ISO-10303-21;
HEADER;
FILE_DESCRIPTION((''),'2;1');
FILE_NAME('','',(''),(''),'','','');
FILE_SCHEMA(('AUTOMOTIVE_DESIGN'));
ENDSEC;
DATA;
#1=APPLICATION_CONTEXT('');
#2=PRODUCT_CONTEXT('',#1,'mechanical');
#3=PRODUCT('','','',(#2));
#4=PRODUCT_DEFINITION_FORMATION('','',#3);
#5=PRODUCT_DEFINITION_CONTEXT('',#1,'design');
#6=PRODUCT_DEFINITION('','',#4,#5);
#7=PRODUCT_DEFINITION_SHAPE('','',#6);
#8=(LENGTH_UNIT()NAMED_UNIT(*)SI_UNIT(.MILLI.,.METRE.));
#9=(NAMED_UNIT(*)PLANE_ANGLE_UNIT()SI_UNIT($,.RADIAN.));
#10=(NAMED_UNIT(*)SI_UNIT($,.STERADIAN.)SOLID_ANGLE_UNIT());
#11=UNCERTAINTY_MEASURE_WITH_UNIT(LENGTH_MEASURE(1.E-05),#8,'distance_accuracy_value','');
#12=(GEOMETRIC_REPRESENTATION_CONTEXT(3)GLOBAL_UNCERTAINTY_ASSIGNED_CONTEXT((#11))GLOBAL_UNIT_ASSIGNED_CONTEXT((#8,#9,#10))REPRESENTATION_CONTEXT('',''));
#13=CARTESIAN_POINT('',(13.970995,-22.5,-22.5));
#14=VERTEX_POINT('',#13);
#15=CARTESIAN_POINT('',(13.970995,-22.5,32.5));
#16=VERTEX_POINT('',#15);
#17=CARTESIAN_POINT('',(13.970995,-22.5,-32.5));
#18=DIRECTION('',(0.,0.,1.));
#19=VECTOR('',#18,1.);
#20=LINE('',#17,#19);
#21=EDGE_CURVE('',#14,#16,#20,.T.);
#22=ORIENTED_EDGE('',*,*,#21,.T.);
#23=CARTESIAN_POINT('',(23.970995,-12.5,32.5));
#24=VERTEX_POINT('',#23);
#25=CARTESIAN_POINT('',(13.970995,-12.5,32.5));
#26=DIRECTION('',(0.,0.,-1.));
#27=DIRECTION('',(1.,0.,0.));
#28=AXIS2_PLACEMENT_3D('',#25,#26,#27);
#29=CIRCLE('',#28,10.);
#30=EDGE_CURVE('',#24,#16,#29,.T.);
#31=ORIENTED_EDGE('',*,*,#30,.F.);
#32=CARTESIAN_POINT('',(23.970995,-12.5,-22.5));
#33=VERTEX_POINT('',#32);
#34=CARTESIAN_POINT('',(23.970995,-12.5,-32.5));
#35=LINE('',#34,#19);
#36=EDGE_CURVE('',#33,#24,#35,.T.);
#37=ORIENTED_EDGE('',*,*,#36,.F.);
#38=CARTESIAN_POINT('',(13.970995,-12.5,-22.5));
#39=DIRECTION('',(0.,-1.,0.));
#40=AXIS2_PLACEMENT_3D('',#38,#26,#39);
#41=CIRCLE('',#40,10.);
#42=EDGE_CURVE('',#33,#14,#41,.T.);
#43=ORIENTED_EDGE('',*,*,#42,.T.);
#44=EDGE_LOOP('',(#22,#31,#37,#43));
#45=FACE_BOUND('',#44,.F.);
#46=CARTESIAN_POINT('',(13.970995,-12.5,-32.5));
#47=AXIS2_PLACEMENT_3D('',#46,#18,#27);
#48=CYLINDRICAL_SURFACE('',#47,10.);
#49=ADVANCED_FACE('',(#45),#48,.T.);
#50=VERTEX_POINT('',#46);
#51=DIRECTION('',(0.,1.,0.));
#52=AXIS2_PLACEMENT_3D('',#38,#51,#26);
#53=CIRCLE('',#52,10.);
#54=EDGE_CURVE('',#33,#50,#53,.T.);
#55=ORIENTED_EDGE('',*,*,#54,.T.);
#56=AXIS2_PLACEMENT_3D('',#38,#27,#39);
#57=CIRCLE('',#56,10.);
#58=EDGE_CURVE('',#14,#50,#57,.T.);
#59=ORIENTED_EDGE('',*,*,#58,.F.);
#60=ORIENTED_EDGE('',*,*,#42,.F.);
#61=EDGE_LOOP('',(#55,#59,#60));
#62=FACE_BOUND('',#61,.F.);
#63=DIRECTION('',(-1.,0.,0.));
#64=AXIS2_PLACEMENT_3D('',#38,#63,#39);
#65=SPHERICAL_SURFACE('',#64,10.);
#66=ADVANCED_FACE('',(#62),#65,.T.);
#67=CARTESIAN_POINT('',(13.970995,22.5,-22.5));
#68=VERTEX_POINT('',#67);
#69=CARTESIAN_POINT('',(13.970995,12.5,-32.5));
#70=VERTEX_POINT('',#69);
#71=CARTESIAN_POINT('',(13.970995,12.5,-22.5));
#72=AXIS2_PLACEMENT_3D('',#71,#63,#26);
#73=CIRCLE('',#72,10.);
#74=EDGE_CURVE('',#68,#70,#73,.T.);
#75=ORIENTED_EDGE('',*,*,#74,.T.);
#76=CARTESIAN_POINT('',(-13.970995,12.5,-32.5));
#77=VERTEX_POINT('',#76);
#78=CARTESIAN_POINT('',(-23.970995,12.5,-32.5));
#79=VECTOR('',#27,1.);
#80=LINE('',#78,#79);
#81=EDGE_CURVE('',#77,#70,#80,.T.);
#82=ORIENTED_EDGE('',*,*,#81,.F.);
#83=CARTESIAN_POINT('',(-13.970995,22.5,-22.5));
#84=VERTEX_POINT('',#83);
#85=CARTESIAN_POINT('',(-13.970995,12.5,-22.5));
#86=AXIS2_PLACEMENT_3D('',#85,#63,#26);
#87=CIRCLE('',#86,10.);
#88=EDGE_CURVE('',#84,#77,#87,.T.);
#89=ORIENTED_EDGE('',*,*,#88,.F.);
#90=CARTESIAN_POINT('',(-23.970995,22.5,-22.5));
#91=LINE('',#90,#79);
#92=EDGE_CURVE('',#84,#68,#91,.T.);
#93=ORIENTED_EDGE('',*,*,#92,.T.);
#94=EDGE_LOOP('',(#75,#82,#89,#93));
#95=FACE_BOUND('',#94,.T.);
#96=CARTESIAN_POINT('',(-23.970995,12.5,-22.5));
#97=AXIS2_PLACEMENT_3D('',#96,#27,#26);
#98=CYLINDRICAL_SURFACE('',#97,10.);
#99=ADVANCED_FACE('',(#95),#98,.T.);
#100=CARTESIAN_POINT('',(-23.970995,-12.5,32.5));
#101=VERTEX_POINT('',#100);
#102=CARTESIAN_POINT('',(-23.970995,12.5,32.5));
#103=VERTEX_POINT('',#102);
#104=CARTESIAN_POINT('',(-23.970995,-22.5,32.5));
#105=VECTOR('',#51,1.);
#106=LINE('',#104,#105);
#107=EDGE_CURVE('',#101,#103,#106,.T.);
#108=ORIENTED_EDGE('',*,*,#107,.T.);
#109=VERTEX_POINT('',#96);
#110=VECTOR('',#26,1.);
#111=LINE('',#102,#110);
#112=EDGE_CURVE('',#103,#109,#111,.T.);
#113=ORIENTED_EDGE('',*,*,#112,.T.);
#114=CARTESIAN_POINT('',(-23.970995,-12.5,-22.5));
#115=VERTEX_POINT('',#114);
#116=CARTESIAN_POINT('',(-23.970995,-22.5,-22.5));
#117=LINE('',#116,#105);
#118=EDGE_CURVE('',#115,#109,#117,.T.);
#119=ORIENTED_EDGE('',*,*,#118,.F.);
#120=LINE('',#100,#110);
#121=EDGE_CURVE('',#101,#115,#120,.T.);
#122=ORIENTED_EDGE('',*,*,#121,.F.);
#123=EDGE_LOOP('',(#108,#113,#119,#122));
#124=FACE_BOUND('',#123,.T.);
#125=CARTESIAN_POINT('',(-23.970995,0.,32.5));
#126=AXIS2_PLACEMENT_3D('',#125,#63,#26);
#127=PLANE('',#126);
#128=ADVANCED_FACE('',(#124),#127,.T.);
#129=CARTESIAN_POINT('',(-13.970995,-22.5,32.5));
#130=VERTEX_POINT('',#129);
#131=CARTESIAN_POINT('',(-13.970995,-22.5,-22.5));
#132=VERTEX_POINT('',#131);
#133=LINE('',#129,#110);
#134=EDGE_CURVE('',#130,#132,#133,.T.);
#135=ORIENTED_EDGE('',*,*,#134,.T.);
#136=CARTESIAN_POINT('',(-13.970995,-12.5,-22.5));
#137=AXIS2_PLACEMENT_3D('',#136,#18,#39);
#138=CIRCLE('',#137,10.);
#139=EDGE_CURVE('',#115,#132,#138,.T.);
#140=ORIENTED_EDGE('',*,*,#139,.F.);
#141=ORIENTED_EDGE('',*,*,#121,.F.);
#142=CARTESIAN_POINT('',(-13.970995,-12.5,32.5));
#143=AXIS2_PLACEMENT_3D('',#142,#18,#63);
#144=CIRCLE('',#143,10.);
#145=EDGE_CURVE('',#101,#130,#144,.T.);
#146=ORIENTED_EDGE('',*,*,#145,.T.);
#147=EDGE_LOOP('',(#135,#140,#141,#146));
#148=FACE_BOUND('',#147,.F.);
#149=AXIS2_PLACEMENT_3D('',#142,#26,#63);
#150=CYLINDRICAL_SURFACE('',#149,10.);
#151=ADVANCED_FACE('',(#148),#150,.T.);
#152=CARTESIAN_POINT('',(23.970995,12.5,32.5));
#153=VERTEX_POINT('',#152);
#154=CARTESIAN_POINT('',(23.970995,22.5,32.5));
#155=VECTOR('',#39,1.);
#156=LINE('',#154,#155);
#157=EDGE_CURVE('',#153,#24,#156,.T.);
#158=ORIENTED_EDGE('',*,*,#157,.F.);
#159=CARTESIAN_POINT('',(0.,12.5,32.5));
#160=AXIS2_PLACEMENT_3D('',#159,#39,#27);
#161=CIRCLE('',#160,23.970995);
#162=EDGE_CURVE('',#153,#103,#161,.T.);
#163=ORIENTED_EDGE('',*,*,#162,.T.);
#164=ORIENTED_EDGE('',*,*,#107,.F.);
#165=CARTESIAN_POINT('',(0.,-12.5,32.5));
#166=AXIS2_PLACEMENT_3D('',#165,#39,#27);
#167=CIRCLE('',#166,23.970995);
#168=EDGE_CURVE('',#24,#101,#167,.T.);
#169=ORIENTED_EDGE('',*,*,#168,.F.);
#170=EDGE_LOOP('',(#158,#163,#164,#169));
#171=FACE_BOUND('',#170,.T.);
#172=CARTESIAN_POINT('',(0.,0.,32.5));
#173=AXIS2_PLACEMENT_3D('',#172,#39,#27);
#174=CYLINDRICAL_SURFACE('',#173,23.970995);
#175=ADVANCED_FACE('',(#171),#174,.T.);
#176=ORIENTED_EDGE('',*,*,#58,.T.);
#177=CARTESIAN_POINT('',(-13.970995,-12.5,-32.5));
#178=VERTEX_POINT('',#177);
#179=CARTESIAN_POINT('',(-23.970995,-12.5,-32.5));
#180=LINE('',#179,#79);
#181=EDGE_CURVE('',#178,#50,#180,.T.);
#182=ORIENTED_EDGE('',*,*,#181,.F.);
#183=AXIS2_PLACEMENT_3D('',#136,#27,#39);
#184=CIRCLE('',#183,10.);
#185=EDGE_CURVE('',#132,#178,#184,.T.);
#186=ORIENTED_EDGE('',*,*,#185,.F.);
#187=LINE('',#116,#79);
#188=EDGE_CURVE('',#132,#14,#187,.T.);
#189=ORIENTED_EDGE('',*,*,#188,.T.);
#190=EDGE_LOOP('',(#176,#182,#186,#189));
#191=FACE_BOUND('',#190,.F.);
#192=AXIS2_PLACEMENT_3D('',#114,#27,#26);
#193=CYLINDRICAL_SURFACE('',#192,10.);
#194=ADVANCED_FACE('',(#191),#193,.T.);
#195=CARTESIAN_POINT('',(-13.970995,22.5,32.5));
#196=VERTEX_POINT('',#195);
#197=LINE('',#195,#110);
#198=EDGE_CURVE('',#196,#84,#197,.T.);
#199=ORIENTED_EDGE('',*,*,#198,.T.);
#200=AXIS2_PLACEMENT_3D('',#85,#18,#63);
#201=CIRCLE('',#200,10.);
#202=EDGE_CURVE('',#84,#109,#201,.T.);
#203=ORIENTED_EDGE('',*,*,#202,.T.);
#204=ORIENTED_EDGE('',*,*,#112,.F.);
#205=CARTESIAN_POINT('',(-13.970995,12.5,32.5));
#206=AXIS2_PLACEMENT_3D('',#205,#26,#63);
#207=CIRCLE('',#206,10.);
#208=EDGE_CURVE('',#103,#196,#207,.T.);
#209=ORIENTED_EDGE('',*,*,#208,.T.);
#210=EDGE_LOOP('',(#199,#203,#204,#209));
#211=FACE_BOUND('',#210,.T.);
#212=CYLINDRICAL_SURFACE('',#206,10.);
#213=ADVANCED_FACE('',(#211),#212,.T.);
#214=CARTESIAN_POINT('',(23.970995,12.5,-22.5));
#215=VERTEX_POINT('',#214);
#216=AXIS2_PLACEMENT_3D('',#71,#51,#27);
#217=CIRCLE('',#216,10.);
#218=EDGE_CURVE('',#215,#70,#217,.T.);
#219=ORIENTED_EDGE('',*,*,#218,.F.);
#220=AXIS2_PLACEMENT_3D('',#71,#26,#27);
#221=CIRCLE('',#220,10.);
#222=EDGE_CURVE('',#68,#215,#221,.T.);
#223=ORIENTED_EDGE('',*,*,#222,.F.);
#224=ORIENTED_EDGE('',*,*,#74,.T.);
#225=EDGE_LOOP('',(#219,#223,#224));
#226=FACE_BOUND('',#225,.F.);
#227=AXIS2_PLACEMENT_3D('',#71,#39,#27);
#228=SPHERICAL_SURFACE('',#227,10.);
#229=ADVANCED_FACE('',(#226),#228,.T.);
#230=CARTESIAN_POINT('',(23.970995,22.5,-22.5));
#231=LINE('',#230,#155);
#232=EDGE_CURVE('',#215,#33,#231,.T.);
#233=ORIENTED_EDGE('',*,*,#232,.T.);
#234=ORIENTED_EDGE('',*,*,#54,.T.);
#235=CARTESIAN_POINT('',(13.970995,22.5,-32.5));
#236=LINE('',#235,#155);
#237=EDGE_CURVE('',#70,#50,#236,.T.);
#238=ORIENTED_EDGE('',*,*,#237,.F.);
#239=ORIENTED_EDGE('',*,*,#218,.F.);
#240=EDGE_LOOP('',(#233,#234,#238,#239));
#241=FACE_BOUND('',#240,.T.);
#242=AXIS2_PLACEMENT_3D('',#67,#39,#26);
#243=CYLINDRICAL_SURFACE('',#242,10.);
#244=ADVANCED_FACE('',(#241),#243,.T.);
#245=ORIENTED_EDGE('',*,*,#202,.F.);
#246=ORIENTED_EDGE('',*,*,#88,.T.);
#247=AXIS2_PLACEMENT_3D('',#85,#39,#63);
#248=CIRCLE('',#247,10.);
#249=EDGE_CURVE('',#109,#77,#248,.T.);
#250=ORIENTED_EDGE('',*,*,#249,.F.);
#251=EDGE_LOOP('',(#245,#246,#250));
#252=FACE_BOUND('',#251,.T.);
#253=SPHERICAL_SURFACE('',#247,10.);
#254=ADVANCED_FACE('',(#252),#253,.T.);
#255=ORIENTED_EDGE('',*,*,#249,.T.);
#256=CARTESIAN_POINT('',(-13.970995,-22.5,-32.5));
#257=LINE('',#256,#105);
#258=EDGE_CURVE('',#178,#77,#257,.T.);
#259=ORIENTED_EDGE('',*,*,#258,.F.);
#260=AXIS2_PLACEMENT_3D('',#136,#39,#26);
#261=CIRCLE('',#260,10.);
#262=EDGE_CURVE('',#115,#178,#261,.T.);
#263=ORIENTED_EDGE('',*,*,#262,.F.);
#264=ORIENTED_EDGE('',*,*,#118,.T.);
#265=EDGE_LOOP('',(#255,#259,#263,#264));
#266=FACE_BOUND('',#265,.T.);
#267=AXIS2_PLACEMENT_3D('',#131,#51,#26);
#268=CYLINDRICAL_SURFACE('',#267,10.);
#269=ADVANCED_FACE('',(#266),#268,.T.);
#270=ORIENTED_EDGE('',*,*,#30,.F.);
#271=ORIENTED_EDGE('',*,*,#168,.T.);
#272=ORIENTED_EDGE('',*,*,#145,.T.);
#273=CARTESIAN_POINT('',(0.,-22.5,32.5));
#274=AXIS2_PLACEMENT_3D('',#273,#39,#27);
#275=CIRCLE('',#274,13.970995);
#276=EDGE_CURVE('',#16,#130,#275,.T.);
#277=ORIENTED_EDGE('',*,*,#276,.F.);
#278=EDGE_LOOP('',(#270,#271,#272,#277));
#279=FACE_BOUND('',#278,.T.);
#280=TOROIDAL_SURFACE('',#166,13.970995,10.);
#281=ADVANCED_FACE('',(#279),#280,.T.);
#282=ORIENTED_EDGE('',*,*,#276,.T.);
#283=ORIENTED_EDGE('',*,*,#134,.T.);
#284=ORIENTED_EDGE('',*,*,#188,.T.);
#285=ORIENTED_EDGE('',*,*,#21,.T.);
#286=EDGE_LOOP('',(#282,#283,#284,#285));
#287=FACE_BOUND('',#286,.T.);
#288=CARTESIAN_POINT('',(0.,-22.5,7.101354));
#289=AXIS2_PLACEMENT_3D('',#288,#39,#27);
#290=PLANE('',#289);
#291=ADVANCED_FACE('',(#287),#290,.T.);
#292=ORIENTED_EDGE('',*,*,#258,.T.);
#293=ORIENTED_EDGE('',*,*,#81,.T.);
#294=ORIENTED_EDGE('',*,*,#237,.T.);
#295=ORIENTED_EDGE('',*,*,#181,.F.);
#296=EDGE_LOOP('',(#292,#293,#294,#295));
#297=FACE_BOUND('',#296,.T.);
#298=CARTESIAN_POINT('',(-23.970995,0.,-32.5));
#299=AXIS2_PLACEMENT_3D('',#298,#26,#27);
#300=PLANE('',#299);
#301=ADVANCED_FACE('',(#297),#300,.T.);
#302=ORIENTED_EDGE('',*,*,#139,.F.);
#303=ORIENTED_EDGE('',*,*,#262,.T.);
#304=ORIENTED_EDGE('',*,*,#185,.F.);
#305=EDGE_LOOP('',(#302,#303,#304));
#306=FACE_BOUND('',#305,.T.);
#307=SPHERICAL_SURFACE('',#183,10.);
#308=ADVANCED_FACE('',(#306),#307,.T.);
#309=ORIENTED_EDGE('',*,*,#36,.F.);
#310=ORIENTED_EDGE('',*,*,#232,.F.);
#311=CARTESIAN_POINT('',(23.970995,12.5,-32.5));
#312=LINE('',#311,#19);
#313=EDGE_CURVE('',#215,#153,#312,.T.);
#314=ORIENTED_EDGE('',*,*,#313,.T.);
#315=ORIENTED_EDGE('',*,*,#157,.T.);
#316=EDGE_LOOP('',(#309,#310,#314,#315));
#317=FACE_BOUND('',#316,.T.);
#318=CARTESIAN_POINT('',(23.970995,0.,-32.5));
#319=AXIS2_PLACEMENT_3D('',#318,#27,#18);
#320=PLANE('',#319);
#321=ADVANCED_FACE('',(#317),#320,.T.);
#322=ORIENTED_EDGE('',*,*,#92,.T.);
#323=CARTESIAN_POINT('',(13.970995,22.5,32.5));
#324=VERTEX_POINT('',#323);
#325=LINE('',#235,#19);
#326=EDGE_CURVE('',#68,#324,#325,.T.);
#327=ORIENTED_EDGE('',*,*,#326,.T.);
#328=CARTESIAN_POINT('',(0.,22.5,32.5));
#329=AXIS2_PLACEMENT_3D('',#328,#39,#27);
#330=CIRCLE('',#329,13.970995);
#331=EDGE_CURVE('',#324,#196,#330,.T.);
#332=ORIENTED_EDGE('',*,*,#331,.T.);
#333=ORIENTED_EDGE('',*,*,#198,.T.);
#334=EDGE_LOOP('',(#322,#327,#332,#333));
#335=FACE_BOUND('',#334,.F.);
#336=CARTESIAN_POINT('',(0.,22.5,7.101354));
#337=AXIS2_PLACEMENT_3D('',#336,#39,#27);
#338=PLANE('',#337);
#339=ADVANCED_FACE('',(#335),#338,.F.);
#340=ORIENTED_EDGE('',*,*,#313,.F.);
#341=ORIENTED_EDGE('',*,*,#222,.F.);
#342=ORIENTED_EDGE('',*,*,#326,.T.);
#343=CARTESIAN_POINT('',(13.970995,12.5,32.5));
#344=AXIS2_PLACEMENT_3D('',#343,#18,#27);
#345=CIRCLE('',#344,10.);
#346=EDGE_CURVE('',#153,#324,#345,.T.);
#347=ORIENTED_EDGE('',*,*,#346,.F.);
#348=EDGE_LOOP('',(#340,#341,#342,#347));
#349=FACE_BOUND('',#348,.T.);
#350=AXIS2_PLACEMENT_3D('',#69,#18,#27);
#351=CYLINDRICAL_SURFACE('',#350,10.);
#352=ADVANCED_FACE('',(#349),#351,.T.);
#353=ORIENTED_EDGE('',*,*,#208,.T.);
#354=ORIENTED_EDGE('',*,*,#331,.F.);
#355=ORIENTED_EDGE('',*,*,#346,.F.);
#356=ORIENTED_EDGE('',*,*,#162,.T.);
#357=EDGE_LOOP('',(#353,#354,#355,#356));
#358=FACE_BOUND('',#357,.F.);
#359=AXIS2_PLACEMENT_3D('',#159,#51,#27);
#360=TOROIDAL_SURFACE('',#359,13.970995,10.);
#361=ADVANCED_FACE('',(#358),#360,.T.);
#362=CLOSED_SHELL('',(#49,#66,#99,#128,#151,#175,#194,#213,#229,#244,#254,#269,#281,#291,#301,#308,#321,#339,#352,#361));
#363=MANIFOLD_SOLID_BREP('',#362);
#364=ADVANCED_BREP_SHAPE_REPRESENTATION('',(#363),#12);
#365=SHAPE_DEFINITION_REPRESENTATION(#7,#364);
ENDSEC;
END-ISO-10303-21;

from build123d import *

# Parameters (mm, degrees)
F0_R     = 19.4977351631
F1_DEPTH = 22.5
F2_R     = 10


with BuildPart() as f1:
    # F0 (on Front) → F1 (new body, symmetric)
    with BuildSketch(Plane.XZ):
        with BuildLine():
            Line((-23.9709949473, -32.5), (23.9709949473, -32.5))
            Line((23.9709949473, -32.5), (23.9709949473, 32.5))
            ThreePointArc((23.9709949473, 32.5), (0, 56.4709949473), (-23.9709949473, 32.5))
            Line((-23.9709949473, 32.5), (-23.9709949473, -32.5))
        make_face()
        with Locations((0, 32.5)):
            Circle(F0_R, mode=Mode.SUBTRACT)
        with Locations((0, 32.5)):
            Circle(F0_R)
    extrude(amount=F1_DEPTH, both=True)

    # F2
    f2_edges = [f1.edges().sort_by_distance(p)[0] for p in [
        (0, -22.5, -32.5),
        (-23.970995, -22.5, 0),
        (23.970995, 0, -32.5),
        (-23.970995, 0, -32.5),
        (23.970995, 22.5, 0),
        (0, 22.5, -32.5),
    ]]
    fillet(f2_edges, radius=F2_R)


solid = f1.part
